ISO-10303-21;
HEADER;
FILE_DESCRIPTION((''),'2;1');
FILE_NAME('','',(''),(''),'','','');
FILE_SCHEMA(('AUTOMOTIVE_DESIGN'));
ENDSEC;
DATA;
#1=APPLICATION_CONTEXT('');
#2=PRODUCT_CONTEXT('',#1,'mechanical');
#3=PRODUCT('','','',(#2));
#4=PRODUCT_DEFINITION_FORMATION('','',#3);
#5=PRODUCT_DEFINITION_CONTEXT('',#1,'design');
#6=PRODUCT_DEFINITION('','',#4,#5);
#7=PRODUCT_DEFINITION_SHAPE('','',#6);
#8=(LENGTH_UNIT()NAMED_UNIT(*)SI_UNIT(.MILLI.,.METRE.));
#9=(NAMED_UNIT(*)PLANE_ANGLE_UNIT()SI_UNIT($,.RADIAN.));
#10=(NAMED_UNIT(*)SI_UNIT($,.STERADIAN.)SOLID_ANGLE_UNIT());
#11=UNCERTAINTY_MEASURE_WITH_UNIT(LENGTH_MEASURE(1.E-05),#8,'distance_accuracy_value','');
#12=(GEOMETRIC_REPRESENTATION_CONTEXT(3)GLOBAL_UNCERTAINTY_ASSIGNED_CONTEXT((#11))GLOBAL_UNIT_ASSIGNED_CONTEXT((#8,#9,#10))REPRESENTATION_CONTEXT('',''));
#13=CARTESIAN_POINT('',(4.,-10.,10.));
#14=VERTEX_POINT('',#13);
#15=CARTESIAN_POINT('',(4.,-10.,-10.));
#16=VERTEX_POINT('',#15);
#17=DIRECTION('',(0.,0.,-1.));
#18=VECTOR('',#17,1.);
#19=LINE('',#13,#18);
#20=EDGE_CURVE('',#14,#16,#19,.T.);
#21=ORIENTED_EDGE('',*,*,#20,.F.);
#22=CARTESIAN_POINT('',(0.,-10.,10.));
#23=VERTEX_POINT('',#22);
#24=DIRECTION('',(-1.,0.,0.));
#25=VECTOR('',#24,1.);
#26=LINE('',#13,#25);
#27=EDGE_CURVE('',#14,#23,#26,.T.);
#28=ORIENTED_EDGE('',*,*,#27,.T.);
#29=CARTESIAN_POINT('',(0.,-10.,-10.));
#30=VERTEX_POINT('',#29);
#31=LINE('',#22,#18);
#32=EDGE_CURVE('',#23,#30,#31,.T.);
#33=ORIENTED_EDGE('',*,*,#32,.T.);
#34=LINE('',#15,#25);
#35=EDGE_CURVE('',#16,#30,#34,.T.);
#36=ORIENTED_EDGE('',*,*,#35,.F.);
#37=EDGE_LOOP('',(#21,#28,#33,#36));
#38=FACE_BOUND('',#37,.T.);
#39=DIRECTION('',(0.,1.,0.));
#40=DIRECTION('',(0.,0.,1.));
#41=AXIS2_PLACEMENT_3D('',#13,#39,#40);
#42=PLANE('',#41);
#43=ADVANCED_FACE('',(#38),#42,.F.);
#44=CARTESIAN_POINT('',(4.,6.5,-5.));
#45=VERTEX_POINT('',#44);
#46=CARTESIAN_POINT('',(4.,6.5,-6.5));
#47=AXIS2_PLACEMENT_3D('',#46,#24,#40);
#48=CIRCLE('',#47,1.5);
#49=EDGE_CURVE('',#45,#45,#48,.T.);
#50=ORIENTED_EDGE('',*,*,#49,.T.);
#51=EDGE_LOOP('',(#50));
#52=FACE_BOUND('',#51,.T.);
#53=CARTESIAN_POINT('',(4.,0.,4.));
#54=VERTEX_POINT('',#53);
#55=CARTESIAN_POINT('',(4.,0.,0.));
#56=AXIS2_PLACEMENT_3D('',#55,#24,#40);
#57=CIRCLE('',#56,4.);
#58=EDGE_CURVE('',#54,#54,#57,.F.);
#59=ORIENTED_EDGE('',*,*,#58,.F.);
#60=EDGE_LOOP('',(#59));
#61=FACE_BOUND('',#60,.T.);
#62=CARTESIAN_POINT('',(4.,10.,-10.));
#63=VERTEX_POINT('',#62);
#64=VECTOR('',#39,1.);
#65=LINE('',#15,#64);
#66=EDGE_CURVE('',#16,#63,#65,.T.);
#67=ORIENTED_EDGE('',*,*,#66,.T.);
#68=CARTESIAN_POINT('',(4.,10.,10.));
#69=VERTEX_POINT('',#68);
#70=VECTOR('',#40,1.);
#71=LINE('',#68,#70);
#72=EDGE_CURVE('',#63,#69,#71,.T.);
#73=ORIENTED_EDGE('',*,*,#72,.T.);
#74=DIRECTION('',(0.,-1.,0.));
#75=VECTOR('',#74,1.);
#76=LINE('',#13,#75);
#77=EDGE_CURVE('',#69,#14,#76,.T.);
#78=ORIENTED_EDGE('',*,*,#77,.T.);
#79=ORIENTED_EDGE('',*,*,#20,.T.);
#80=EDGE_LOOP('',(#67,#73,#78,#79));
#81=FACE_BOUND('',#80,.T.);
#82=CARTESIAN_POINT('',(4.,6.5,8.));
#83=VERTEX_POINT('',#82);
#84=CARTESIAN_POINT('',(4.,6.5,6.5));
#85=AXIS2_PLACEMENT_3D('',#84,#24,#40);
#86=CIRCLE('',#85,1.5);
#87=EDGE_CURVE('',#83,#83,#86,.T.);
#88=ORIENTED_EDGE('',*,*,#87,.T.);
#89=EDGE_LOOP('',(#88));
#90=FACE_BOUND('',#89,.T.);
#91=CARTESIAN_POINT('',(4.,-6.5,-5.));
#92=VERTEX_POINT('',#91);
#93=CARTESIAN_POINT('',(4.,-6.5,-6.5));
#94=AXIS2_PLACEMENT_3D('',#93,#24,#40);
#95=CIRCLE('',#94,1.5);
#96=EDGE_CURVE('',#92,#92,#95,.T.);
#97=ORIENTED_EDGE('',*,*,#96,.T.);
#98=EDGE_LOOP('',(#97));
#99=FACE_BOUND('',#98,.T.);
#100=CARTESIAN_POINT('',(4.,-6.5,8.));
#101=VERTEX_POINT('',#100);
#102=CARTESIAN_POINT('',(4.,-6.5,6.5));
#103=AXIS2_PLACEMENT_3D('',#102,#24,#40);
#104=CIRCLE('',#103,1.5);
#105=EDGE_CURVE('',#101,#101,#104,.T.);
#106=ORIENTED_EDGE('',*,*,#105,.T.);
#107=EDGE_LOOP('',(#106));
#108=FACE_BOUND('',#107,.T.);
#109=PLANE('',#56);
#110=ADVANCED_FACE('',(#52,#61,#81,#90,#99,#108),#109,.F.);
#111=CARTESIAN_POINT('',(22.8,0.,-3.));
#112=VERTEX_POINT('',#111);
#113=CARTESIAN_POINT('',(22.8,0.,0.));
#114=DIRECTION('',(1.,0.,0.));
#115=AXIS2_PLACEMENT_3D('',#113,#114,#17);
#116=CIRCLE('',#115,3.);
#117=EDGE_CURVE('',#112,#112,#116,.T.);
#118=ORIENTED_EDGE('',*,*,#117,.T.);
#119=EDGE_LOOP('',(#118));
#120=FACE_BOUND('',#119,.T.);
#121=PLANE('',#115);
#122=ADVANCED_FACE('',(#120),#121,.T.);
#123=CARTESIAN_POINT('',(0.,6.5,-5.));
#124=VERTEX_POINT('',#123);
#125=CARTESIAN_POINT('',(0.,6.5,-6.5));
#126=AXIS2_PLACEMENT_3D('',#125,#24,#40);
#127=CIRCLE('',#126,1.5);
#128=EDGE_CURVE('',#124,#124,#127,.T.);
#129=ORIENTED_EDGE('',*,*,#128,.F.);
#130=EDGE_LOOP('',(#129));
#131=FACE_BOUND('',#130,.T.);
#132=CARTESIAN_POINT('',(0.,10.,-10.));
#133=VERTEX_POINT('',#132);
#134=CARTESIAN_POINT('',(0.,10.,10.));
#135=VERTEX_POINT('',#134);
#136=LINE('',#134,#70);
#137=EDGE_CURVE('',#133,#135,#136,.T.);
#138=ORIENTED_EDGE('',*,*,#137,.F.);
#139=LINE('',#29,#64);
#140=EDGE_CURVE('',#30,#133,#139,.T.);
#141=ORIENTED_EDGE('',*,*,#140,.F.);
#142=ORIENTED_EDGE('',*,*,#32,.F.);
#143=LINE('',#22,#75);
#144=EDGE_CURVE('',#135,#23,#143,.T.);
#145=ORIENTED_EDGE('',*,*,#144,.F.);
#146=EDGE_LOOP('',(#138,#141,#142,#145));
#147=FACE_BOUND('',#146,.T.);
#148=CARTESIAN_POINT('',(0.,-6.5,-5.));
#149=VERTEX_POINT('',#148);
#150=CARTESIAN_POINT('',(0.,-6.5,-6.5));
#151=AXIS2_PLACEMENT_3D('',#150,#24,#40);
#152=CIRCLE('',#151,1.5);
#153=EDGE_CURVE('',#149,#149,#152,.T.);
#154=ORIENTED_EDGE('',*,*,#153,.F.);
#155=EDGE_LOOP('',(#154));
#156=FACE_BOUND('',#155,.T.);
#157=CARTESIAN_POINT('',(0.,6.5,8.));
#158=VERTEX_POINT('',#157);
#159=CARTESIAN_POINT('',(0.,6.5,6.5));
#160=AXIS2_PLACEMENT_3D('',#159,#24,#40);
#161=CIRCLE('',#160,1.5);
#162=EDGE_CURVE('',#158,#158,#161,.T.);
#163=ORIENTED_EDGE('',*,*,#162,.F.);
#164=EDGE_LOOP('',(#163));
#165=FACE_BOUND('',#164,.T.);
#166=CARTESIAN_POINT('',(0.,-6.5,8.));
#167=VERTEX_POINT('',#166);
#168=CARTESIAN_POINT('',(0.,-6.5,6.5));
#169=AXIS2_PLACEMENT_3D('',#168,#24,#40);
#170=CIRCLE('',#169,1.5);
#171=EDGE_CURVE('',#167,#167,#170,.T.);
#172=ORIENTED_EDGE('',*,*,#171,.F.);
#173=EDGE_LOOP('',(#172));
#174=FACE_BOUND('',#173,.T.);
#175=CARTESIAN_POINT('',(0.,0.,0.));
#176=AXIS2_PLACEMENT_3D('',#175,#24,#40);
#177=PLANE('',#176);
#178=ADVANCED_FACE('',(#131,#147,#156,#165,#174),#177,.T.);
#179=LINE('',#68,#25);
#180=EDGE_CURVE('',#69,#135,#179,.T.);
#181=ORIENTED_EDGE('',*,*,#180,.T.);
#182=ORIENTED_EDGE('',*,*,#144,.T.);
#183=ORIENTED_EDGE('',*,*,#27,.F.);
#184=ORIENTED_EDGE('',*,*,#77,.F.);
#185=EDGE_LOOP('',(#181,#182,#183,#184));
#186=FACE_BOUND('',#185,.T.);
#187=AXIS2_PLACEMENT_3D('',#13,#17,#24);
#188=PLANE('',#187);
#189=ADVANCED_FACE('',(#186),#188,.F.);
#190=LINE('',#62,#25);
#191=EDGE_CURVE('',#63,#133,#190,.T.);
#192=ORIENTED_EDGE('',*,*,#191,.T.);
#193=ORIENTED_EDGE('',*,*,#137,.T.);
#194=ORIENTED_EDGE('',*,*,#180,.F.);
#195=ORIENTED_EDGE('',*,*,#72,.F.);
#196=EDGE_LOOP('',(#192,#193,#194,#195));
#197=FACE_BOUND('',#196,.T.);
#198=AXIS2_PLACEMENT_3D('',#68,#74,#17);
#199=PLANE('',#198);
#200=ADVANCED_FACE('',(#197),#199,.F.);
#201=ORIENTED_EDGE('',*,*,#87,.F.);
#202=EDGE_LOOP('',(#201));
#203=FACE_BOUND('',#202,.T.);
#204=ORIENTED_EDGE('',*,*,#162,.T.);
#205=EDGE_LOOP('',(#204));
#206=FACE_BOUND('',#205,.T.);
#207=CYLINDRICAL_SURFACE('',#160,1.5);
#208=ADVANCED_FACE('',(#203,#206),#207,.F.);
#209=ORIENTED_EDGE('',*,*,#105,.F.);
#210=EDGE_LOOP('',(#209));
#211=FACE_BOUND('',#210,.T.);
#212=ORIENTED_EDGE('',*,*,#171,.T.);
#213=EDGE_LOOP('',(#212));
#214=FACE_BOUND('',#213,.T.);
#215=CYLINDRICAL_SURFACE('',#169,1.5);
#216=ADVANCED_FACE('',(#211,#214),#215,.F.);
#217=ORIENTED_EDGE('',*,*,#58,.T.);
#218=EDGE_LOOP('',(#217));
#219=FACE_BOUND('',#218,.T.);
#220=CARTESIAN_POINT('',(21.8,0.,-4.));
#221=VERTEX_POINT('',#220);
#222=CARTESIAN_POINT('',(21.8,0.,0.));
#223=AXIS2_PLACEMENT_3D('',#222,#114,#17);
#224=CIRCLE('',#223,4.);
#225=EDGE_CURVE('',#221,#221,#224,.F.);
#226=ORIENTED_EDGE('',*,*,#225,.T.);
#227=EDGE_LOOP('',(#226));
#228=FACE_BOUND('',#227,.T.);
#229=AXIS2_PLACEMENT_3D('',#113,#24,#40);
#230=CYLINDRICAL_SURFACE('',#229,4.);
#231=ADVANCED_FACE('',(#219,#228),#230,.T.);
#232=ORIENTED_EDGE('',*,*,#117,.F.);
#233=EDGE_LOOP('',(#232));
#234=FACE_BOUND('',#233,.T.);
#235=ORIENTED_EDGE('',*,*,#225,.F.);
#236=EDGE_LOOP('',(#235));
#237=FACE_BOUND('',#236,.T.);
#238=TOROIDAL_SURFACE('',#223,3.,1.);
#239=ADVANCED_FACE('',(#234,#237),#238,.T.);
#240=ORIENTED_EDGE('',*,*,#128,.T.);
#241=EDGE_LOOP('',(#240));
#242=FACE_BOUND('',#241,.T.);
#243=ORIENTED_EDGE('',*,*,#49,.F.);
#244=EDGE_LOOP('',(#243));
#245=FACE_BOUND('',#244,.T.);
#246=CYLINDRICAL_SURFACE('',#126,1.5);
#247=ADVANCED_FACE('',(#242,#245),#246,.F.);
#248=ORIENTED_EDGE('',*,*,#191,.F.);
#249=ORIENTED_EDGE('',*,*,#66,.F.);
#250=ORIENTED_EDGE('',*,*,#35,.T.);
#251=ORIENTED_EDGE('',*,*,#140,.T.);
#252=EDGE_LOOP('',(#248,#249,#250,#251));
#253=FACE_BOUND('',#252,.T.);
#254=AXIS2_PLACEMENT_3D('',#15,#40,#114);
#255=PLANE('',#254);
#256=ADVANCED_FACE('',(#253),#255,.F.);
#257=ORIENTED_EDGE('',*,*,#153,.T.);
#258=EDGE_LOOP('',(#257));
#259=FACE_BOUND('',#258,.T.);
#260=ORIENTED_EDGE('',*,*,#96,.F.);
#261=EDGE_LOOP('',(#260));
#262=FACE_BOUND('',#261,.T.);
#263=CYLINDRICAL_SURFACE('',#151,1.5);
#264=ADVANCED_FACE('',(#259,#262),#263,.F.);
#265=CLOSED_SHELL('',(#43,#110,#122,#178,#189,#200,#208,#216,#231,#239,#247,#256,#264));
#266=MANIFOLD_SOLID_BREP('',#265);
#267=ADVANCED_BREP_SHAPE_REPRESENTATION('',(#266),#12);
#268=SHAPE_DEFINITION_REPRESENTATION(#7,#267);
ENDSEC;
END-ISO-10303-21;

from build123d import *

# Parameters (mm, degrees)
SKETCH1_W             = 20
SKETCH1_H             = 20
BOSS_EXTRUDE1_DEPTH   = 4
SKETCH2_R             = 4
BOSS_EXTRUDE2_DEPTH   = 18.8
F_3_0MM_DOWEL_HOLE1_D = 3
FILLET1_R             = 1


with BuildPart() as part:
    # Sketch1 → Boss-Extrude1 (new body)
    with BuildSketch(Plane(origin=(0, 0, 0), x_dir=(0, 0, -1), z_dir=(1, 0, 0))):
        Rectangle(SKETCH1_W, SKETCH1_H)
    extrude(amount=BOSS_EXTRUDE1_DEPTH)

    # Sketch2 → Boss-Extrude2 (add)
    with BuildSketch(Plane(origin=(4, 0, 0), x_dir=(0, 0, -1), z_dir=(1, 0, 0))):
        with Locations(Location((0, 0, 0), (0, 0, 180))):
            Circle(SKETCH2_R)
    extrude(amount=BOSS_EXTRUDE2_DEPTH)

    # Ø3.0mm Dowel Hole1 (through all)
    with Locations(Plane.ZY):
        with Locations((-6.5, -6.5), (-6.5, 6.5), (6.5, 6.5), (6.5, -6.5)):
            Hole(F_3_0MM_DOWEL_HOLE1_D / 2)

    # Fillet1
    fillet1_edges = [part.edges().sort_by_distance(p)[0] for p in [
        (22.8, 0, -4),
    ]]
    fillet(fillet1_edges, radius=FILLET1_R)


solid = part.part
